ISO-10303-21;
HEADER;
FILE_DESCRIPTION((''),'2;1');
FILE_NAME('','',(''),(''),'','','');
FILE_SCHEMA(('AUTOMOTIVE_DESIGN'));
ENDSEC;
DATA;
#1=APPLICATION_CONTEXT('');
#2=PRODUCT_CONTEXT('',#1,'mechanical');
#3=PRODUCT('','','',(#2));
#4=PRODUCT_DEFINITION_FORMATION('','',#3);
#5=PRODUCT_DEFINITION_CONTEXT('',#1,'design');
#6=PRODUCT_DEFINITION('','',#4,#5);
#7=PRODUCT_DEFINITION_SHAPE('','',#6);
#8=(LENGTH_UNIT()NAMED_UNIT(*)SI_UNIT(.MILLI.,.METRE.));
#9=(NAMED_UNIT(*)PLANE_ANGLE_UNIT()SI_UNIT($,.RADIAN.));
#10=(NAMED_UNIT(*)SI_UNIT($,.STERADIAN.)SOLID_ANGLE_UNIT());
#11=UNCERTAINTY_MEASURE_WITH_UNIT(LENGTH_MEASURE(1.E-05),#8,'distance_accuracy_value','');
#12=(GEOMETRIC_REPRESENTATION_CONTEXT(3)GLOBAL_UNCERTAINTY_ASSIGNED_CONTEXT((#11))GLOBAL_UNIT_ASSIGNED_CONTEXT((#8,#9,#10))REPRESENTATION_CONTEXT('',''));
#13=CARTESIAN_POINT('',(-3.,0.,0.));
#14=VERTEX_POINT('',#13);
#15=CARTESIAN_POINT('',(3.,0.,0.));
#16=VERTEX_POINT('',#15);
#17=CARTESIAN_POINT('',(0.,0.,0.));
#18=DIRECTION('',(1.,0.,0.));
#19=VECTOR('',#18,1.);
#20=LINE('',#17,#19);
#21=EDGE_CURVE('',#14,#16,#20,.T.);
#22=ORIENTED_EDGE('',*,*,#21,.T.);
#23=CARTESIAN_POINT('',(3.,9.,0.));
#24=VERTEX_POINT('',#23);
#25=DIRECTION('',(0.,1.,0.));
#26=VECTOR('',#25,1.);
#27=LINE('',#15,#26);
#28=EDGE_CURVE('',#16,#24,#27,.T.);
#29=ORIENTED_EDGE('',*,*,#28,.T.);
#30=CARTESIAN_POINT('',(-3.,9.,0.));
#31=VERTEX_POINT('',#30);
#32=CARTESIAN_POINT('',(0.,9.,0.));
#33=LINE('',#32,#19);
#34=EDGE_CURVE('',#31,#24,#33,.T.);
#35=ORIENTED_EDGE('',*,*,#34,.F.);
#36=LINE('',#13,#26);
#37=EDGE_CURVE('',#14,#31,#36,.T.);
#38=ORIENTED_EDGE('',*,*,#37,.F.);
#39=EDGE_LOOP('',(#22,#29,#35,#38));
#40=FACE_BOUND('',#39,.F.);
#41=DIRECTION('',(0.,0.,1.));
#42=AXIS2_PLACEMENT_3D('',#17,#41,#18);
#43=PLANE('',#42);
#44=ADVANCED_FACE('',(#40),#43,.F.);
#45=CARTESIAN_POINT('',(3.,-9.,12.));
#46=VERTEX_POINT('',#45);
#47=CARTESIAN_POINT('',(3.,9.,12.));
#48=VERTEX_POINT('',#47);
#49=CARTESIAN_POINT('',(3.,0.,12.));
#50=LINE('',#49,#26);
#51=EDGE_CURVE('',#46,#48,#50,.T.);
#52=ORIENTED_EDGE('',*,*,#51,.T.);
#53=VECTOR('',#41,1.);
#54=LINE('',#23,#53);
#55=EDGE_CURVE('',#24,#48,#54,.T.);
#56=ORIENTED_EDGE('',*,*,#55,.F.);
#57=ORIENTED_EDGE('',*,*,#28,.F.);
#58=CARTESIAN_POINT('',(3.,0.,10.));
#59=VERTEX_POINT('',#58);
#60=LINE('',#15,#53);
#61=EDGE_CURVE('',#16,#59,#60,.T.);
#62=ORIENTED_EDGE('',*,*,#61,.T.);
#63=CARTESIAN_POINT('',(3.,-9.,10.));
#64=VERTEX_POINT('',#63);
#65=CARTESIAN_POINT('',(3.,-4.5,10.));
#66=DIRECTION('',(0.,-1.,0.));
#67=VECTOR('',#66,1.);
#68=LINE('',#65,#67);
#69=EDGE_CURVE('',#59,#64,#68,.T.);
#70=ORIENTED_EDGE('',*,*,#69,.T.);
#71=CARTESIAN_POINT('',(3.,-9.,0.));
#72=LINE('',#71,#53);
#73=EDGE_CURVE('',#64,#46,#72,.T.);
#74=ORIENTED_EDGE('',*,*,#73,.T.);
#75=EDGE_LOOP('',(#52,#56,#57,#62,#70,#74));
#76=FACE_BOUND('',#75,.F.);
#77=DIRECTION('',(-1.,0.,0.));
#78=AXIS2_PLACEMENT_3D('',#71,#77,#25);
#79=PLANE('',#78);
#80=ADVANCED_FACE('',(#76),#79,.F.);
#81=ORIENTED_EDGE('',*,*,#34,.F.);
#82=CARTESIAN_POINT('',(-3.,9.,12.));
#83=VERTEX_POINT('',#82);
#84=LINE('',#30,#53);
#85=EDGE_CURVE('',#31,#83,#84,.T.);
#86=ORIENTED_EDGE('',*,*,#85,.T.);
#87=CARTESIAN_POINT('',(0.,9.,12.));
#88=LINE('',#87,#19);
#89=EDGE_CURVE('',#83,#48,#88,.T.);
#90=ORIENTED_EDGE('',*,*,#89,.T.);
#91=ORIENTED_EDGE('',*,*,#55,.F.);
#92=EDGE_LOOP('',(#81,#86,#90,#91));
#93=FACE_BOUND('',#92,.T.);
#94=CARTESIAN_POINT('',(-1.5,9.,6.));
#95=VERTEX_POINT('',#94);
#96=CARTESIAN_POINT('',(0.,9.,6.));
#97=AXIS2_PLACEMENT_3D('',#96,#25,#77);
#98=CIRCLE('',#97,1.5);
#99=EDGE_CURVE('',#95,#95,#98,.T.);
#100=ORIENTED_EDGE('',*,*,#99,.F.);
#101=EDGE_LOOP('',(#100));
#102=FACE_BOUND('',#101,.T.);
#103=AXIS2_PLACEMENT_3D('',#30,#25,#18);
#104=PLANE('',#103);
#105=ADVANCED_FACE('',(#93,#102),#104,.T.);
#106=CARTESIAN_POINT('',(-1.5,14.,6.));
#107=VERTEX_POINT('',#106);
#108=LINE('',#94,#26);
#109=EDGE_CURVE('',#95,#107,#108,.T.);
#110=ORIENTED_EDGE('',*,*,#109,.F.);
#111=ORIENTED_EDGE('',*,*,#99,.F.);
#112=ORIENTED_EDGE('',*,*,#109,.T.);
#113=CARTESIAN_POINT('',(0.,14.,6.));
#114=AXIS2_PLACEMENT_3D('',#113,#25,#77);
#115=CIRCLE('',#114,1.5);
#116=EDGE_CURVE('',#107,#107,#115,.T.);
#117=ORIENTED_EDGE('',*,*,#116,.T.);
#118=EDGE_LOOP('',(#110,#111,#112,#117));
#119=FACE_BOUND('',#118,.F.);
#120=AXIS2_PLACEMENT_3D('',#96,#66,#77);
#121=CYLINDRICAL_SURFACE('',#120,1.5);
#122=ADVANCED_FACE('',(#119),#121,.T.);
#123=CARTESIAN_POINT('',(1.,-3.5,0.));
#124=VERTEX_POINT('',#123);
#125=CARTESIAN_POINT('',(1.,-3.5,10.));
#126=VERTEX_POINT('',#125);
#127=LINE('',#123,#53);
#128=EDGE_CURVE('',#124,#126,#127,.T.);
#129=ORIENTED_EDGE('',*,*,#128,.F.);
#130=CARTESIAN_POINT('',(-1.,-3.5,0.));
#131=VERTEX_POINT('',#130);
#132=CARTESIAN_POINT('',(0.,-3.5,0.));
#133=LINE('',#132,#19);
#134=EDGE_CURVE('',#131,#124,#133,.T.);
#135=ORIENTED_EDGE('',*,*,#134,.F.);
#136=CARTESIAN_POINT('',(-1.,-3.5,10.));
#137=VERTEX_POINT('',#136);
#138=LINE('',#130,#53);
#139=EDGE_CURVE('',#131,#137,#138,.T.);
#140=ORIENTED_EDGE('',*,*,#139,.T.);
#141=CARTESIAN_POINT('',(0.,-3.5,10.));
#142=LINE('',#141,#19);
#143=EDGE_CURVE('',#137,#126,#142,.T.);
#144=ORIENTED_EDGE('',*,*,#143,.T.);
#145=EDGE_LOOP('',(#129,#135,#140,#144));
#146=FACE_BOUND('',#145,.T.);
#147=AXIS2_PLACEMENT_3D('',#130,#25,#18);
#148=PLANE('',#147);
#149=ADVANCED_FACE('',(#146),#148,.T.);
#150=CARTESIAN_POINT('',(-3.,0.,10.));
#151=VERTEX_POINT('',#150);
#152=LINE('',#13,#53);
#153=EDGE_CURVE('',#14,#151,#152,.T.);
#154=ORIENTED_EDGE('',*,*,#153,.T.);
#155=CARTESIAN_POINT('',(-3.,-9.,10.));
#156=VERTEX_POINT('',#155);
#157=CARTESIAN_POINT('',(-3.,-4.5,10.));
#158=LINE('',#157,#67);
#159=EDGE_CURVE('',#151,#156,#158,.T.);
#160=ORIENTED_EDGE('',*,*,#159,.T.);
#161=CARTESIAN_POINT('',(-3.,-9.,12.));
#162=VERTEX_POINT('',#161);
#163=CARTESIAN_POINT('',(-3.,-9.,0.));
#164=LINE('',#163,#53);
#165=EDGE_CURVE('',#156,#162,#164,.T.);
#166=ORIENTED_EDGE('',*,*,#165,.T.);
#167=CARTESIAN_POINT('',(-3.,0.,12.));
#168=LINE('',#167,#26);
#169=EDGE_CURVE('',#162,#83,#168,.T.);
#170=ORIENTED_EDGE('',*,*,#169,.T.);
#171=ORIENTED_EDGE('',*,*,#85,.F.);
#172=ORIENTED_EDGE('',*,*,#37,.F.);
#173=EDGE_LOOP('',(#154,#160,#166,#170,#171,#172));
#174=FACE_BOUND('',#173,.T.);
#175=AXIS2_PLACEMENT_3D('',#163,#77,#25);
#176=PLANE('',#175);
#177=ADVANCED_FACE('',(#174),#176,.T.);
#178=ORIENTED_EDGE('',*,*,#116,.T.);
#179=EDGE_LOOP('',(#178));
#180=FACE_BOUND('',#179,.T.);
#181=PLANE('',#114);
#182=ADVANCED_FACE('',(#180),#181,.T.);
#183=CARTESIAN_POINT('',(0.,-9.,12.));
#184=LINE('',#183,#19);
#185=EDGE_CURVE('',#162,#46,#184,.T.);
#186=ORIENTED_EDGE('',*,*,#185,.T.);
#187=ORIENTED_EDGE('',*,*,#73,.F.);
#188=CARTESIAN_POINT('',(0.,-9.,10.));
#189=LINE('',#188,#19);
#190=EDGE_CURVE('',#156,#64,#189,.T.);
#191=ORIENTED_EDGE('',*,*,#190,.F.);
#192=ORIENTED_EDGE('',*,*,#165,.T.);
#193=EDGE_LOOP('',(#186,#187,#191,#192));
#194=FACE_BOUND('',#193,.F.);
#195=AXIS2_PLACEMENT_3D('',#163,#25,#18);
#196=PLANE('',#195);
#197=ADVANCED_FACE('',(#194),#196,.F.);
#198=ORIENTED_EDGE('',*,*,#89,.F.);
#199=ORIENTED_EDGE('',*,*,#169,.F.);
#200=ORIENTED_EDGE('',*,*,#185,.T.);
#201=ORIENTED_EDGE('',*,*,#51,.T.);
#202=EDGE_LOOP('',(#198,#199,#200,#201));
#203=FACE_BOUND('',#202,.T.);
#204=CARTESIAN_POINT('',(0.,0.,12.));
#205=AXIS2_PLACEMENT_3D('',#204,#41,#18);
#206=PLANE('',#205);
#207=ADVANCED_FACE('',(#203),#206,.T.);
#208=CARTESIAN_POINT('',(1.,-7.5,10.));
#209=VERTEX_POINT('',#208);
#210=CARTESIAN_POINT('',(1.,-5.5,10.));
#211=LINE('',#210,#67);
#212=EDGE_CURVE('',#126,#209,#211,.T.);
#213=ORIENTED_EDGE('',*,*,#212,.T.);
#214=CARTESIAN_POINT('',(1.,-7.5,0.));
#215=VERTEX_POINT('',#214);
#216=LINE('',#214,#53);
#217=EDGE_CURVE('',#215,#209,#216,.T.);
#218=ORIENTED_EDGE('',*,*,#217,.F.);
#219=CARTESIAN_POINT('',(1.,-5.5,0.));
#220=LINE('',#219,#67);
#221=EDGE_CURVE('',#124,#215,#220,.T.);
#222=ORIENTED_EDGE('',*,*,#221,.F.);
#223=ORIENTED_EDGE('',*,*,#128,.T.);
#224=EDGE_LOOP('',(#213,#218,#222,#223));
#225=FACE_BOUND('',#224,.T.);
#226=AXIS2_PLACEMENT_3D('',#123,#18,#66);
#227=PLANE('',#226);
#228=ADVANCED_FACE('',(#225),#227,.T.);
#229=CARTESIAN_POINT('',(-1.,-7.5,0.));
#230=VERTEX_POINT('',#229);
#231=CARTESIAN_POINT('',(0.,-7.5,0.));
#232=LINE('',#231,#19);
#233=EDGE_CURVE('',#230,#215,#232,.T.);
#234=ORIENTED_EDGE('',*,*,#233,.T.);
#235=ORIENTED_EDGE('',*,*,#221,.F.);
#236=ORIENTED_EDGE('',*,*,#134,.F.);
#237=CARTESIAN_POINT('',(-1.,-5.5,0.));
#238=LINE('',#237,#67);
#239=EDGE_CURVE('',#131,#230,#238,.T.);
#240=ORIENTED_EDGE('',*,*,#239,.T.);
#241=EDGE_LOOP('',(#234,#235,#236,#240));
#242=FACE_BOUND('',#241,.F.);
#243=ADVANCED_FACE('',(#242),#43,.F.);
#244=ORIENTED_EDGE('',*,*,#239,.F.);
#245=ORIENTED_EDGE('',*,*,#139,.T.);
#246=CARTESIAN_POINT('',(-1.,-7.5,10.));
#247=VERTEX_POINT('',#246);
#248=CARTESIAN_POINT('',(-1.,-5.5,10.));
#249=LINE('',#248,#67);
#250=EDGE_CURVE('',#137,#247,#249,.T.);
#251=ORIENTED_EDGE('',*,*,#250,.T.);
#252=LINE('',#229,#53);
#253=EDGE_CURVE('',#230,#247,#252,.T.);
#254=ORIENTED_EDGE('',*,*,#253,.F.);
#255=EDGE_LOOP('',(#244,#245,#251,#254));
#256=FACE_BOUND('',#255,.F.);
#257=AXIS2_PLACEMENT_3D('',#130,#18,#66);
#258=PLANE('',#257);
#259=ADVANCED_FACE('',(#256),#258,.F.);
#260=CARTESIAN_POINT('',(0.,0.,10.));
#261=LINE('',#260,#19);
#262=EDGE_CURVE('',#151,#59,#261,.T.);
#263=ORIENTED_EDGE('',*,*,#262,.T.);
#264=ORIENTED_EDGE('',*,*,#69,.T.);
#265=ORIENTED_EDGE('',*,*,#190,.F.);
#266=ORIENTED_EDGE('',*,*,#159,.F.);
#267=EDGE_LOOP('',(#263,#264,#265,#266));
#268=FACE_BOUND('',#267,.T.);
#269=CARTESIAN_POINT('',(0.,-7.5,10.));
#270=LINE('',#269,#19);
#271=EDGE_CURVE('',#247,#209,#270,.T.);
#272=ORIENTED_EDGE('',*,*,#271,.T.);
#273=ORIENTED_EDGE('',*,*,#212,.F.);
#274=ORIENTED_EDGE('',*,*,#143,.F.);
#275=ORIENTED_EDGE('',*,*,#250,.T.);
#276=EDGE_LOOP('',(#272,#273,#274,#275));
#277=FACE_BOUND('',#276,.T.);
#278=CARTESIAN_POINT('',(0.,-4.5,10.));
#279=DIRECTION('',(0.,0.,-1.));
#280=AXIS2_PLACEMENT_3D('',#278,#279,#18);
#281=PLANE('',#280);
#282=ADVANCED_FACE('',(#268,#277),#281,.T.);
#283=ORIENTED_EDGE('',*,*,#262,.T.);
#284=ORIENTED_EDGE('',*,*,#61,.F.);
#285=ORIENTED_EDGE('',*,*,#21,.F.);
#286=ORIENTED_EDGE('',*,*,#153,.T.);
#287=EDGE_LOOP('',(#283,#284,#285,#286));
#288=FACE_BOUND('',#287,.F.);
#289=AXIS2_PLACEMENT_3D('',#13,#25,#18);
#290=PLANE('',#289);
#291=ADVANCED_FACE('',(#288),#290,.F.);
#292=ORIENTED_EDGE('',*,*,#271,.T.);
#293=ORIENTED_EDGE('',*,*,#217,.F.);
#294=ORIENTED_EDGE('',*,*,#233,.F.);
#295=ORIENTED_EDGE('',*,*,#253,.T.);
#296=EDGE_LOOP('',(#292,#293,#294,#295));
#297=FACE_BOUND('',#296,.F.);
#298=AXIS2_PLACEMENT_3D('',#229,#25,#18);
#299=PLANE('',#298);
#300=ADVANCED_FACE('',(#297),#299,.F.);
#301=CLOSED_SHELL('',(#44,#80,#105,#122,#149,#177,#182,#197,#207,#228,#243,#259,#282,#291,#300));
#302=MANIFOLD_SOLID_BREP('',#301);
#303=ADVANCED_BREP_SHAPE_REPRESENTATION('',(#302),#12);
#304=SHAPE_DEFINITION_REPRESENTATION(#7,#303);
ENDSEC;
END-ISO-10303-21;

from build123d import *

# Parameters (mm, degrees)
F0_W     = 6
F0_H     = 18
F1_DEPTH = 12
F2_W     = 6
F2_H     = 9
F2_W_2   = 2
F2_H_2   = 4
F3_DEPTH = 10
F4_R     = 1.5
F5_DEPTH = 5


with BuildPart() as f1:
    # F0 (on Top) → F1 (new body)
    with BuildSketch(Plane.XY):
        Rectangle(F0_W, F0_H)
    extrude(amount=F1_DEPTH)

    # F2 (on face) → F3 (cut)
    with BuildSketch(Plane(origin=(0, 0, 0), x_dir=(1, 0, 0), z_dir=(0, 0, -1))):
        with Locations((0, 4.5)):
            Rectangle(F2_W, F2_H)
        with Locations((0, 5.5)):
            Rectangle(F2_W_2, F2_H_2, mode=Mode.SUBTRACT)
    extrude(amount=-F3_DEPTH, mode=Mode.SUBTRACT)

    # F4 (on face) → F5 (join)
    with BuildSketch(Plane(origin=(0, 9, 0), x_dir=(-1, 0, 0), z_dir=(0, 1, 0))):
        with Locations((0, 6)):
            Circle(F4_R)
    extrude(amount=F5_DEPTH)


solid = f1.part
